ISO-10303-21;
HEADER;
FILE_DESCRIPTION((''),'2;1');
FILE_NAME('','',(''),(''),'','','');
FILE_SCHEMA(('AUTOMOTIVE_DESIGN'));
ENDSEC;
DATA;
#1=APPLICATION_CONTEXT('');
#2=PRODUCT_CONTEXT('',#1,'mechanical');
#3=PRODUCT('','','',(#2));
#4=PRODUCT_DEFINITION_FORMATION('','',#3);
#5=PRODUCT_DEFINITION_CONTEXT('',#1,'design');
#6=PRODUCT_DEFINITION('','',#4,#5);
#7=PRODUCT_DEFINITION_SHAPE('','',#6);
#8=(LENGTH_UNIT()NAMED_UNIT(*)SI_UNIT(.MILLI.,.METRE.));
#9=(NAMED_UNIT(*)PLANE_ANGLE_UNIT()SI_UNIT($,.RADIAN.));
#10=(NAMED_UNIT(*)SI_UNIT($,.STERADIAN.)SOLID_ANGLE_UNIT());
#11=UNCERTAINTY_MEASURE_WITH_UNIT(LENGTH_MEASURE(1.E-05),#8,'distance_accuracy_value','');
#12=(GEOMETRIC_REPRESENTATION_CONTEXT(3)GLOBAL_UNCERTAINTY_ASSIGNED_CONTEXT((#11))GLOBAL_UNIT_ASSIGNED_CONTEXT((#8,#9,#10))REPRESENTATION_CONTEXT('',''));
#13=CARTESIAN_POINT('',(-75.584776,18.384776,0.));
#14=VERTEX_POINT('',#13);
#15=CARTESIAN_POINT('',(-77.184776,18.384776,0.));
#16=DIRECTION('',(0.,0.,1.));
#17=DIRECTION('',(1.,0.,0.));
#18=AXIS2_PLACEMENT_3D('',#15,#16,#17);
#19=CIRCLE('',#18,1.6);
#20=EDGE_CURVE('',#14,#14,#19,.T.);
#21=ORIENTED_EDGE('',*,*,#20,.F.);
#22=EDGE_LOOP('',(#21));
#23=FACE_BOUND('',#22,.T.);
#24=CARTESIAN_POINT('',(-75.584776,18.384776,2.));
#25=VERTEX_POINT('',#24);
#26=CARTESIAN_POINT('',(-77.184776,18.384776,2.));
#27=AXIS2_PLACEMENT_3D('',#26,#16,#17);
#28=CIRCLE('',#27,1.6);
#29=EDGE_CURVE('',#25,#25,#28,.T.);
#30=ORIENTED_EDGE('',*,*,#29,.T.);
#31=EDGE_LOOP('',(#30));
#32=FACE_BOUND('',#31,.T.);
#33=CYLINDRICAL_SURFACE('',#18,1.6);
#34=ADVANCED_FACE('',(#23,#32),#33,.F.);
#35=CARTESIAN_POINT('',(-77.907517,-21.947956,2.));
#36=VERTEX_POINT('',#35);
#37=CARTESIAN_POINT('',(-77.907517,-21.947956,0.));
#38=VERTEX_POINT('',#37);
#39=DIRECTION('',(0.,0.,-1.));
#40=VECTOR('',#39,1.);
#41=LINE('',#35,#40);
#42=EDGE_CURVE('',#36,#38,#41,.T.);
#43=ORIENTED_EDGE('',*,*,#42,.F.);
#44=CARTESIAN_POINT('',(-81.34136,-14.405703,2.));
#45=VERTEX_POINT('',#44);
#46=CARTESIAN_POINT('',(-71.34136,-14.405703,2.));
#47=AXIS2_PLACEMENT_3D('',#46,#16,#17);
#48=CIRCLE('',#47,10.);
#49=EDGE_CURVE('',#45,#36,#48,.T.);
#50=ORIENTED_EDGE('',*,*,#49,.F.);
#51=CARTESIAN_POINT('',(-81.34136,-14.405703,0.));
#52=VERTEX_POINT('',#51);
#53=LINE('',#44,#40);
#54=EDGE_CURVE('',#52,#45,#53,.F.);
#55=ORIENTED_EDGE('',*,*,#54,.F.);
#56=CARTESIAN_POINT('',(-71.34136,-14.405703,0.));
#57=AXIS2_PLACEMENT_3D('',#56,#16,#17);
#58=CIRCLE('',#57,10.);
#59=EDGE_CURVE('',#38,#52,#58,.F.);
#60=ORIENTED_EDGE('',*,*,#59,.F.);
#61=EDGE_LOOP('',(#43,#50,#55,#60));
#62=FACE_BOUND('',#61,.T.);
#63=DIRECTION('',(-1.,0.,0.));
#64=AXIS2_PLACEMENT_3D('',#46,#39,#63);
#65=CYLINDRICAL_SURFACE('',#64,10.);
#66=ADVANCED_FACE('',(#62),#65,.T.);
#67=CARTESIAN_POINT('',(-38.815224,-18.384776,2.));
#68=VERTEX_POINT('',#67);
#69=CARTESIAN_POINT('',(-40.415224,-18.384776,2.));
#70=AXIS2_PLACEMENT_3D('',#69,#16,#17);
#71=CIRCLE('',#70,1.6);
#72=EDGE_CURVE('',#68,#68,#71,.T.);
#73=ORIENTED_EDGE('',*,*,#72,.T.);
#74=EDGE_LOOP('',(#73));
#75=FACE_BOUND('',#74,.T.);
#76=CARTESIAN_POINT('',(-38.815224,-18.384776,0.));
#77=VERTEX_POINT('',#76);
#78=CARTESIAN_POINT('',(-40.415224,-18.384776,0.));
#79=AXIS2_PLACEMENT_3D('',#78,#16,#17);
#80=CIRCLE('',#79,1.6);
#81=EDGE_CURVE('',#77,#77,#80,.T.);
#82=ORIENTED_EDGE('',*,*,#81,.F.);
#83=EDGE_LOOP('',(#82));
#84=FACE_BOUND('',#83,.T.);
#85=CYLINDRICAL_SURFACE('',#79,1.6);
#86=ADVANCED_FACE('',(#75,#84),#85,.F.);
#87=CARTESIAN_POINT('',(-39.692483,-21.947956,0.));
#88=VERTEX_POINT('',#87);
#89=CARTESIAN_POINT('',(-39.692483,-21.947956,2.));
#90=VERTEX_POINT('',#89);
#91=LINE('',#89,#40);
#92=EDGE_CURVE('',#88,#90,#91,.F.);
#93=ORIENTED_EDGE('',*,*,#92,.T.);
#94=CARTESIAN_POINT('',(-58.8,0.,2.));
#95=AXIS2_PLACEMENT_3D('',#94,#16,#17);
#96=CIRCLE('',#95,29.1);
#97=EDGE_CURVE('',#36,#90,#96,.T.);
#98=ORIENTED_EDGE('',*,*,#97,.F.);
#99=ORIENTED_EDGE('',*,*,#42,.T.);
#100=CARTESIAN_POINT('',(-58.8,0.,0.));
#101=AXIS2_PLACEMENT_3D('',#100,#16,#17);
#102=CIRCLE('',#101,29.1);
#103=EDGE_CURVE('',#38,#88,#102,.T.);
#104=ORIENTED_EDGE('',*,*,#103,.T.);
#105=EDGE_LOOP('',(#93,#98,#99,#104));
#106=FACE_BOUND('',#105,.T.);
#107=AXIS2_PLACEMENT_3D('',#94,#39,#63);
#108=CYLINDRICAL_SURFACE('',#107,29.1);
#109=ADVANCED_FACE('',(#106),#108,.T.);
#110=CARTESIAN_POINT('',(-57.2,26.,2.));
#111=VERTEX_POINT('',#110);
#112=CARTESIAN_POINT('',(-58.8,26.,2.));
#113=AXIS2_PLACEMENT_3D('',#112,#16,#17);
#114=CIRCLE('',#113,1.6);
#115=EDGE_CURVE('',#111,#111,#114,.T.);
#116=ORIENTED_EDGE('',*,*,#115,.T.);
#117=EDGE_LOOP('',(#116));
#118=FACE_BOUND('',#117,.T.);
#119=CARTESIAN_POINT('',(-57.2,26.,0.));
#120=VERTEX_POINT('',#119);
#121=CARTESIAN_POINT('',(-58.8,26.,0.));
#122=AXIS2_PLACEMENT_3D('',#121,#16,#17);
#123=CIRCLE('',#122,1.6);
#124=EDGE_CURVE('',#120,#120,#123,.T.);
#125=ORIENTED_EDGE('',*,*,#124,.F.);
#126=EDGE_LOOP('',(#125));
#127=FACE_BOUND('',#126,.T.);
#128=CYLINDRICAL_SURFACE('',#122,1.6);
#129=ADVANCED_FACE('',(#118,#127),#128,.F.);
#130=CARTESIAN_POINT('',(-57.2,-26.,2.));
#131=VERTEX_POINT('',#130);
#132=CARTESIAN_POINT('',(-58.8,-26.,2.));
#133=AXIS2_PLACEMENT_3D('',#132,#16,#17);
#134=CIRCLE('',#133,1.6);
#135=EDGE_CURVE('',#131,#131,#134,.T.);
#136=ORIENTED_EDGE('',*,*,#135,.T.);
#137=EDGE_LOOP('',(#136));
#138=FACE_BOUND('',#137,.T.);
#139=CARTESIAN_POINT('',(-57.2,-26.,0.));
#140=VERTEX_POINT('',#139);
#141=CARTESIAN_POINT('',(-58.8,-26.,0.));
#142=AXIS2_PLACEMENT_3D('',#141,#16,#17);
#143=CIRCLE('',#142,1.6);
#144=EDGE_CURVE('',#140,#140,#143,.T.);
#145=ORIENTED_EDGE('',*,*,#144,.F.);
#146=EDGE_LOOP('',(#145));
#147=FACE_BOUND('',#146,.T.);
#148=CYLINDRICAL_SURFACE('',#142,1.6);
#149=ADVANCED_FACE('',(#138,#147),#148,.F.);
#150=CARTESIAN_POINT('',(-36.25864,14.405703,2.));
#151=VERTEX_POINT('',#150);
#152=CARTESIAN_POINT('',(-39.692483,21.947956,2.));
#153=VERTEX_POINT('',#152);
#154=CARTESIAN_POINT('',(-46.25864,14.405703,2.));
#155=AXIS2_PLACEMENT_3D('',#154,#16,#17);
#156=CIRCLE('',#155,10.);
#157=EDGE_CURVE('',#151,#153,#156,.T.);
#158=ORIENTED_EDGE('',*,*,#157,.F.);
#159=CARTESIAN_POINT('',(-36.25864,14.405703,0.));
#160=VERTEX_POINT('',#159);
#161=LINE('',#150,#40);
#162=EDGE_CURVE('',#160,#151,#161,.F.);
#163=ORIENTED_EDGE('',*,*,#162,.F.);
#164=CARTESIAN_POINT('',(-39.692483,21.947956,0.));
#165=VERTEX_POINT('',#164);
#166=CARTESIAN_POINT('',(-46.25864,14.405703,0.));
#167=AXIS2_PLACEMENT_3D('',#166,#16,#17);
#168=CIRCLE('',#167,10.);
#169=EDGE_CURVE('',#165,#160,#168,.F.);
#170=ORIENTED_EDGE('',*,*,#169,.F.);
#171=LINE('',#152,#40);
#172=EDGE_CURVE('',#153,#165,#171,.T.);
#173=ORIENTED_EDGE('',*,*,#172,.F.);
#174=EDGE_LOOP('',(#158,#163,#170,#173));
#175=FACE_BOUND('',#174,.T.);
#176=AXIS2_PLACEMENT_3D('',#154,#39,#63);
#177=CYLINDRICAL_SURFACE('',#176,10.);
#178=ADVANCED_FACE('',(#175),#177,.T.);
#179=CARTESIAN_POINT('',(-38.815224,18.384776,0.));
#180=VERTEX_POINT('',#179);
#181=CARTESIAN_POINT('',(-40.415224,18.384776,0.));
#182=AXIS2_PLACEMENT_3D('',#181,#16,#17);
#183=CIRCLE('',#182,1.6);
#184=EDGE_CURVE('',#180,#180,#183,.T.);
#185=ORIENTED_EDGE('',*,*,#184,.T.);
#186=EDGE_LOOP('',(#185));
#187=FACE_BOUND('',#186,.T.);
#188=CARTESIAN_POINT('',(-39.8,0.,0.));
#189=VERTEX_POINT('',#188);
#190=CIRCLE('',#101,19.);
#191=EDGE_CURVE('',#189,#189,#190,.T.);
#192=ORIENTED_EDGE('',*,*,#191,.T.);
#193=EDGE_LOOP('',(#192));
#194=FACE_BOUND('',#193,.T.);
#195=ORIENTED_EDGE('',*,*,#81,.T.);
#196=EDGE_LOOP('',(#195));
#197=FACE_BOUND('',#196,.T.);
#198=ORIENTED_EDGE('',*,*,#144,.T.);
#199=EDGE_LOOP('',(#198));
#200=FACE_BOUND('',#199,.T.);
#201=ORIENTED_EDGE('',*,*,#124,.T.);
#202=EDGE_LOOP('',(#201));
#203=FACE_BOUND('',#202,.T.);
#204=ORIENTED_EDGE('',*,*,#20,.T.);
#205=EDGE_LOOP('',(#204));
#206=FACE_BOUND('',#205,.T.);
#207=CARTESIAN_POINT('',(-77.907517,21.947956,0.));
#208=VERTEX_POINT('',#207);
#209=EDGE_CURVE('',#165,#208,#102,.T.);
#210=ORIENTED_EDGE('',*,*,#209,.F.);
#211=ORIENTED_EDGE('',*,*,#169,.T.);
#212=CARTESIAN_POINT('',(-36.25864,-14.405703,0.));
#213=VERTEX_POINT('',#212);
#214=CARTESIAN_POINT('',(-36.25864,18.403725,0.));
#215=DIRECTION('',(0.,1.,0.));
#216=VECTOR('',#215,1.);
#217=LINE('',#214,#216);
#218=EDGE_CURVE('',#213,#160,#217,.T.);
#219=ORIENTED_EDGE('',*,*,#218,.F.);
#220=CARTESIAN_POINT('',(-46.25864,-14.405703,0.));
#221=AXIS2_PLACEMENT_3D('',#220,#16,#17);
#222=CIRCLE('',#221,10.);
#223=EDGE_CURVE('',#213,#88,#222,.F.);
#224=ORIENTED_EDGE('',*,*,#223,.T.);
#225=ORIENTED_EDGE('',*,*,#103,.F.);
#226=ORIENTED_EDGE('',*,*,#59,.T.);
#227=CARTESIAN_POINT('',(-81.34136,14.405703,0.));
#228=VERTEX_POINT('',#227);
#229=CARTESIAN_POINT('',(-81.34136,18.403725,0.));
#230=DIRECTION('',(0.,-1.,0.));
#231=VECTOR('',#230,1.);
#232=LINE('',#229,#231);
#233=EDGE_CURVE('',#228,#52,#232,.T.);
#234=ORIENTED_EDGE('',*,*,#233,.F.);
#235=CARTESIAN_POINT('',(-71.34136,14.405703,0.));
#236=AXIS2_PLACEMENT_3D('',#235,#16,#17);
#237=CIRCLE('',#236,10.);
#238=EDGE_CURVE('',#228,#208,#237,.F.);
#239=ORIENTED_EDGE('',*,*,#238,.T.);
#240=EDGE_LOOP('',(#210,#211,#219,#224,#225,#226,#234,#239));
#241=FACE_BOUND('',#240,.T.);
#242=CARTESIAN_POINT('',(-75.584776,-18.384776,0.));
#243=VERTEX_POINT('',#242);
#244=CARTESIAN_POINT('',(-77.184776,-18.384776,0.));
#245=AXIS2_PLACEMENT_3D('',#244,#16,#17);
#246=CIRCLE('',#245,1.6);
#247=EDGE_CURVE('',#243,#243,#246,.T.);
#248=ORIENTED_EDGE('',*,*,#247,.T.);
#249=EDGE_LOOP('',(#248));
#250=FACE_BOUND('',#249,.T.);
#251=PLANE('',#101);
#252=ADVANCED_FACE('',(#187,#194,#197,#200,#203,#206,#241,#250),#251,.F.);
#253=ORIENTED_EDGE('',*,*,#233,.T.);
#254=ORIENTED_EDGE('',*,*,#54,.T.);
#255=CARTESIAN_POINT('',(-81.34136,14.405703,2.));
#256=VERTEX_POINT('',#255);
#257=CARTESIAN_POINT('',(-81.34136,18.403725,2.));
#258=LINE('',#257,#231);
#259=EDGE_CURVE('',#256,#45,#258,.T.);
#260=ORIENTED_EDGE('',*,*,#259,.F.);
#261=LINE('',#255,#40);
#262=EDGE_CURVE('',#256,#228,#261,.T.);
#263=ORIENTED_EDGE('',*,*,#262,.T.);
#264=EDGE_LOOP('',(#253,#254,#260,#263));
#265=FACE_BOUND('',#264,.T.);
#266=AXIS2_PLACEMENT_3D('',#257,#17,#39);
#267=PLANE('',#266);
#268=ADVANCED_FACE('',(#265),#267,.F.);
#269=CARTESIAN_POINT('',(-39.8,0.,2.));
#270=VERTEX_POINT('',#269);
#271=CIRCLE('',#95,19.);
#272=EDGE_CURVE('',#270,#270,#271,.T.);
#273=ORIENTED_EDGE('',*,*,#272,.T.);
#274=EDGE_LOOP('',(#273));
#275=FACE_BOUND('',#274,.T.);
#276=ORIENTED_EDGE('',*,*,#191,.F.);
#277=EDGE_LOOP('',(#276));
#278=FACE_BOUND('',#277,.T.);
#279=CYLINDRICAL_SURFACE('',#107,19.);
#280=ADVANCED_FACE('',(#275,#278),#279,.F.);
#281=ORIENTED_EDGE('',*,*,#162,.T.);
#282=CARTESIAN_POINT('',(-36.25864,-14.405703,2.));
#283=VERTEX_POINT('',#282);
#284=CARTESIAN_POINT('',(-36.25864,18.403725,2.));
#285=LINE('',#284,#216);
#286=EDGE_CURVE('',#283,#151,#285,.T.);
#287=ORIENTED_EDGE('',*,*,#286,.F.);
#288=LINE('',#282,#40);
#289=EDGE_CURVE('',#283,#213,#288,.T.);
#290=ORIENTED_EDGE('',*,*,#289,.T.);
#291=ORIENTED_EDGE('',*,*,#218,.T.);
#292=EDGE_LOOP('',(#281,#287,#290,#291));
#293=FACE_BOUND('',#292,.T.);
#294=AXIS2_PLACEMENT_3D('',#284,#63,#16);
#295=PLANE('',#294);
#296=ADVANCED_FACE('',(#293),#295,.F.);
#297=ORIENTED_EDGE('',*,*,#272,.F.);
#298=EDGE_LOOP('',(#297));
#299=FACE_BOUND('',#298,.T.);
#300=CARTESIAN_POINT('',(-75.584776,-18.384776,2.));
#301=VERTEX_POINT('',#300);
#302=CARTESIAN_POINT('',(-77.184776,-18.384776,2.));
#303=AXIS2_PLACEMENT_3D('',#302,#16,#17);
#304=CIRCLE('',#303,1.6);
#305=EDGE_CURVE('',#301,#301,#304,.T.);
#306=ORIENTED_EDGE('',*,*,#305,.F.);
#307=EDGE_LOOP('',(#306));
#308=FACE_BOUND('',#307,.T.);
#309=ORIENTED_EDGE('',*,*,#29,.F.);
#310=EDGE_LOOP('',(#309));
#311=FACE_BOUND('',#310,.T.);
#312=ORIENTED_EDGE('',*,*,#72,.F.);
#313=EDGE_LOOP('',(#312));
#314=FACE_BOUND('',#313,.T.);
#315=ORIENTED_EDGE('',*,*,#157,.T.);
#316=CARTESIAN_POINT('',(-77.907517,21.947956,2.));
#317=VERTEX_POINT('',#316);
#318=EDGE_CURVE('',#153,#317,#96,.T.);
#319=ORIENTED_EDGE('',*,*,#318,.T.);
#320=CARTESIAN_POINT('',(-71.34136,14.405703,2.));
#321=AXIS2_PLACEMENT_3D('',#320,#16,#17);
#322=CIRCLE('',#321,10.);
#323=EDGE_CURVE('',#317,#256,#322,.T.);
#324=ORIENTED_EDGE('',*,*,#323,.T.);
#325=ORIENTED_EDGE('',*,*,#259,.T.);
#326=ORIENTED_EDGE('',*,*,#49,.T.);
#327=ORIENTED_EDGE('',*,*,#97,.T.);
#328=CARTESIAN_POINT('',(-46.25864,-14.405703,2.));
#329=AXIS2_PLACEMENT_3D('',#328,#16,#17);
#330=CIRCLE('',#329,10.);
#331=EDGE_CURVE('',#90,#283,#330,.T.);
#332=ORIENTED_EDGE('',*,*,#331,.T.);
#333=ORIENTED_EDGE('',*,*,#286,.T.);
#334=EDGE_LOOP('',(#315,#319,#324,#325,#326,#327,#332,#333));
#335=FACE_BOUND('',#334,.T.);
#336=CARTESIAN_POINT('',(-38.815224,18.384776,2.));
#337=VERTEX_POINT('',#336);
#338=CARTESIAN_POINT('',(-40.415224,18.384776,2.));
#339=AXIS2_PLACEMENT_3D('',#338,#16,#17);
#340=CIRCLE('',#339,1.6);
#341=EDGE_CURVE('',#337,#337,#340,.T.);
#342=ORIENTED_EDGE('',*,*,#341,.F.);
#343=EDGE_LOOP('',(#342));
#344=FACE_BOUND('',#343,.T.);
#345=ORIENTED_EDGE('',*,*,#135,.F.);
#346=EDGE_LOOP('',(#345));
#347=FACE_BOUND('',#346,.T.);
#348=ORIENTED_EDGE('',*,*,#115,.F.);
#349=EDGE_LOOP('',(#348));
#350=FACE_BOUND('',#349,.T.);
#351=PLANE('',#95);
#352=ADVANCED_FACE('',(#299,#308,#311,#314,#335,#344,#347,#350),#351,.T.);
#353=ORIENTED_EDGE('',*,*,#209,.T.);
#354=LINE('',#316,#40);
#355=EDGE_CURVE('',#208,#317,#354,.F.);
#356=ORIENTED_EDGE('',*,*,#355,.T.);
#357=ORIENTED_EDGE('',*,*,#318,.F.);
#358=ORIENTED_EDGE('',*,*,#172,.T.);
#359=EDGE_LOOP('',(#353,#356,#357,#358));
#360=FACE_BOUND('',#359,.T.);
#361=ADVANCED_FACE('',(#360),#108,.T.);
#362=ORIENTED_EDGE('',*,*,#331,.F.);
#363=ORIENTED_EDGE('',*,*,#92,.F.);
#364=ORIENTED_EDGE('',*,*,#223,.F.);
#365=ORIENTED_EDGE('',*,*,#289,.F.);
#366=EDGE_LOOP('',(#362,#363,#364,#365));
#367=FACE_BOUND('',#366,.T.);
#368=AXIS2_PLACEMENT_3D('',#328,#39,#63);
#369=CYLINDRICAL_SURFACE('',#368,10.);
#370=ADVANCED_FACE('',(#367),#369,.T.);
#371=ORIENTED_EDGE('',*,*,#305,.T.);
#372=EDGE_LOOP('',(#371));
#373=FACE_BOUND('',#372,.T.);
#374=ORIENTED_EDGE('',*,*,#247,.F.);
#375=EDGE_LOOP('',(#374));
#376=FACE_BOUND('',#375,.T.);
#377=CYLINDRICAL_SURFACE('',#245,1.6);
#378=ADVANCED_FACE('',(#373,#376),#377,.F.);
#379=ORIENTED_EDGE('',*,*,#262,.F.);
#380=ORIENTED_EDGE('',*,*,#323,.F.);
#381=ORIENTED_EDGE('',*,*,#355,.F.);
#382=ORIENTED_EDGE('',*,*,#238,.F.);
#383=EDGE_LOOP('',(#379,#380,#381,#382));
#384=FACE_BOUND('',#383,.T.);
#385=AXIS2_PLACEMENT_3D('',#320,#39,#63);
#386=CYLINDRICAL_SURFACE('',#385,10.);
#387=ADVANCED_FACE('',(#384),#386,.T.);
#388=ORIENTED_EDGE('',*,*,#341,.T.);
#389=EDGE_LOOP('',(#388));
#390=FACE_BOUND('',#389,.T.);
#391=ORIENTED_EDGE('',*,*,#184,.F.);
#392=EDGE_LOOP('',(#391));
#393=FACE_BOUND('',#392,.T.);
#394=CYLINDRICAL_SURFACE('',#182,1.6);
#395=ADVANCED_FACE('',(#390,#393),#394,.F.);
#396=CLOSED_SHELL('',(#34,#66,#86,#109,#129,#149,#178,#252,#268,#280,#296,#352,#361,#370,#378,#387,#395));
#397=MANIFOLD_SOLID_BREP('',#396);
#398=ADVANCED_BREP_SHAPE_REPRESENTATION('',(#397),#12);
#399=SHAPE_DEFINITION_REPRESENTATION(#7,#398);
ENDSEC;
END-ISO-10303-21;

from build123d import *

# Parameters (mm, degrees)
SKETCH1_R           = 19
BOSS_EXTRUDE1_DEPTH = 2
SKETCH2_R           = 1.6
CUT_EXTRUDE1_DEPTH  = 87.413117357
FILLET1_R           = 10


with BuildPart() as part:
    # Sketch1 → Boss-Extrude1 (new body)
    with BuildSketch(Plane.XY):
        with BuildLine():
            Line((-81.341360029, 18.403724841), (-81.341360029, -18.403724841))
            ThreePointArc((-81.341360029, -18.403724841), (-58.8, -29.1), (-36.258639971, -18.403724841))
            Line((-36.258639971, -18.403724841), (-36.258639971, 18.403724841))
            ThreePointArc((-36.258639971, 18.403724841), (-58.8, 29.1), (-81.341360029, 18.403724841))
        make_face()
        with Locations((-58.8, 0)):
            Circle(SKETCH1_R, mode=Mode.SUBTRACT)
    extrude(amount=BOSS_EXTRUDE1_DEPTH)

    # Sketch2 → Cut-Extrude1 (cut, through all)
    with BuildSketch(Plane.XY.offset(2)):
        with Locations((-58.8, 26)):
            Circle(SKETCH2_R)
        with Locations((-40.415223689, 18.384776311)):
            Circle(SKETCH2_R)
        with Locations((-40.415223689, -18.384776311)):
            Circle(SKETCH2_R)
        with Locations((-58.8, -26)):
            Circle(SKETCH2_R)
        with Locations((-77.184776311, -18.384776311)):
            Circle(SKETCH2_R)
        with Locations((-77.184776311, 18.384776311)):
            Circle(SKETCH2_R)
    extrude(amount=-CUT_EXTRUDE1_DEPTH, mode=Mode.SUBTRACT)

    # Fillet1
    fillet1_edges = [part.edges().sort_by_distance(p)[0] for p in [
        (-81.341360029, -18.403724841, 1),
        (-81.341360029, 18.403724841, 1),
        (-36.258639971, 18.403724841, 1),
        (-36.258639971, -18.403724841, 1),
    ]]
    fillet(fillet1_edges, radius=FILLET1_R)


solid = part.part
